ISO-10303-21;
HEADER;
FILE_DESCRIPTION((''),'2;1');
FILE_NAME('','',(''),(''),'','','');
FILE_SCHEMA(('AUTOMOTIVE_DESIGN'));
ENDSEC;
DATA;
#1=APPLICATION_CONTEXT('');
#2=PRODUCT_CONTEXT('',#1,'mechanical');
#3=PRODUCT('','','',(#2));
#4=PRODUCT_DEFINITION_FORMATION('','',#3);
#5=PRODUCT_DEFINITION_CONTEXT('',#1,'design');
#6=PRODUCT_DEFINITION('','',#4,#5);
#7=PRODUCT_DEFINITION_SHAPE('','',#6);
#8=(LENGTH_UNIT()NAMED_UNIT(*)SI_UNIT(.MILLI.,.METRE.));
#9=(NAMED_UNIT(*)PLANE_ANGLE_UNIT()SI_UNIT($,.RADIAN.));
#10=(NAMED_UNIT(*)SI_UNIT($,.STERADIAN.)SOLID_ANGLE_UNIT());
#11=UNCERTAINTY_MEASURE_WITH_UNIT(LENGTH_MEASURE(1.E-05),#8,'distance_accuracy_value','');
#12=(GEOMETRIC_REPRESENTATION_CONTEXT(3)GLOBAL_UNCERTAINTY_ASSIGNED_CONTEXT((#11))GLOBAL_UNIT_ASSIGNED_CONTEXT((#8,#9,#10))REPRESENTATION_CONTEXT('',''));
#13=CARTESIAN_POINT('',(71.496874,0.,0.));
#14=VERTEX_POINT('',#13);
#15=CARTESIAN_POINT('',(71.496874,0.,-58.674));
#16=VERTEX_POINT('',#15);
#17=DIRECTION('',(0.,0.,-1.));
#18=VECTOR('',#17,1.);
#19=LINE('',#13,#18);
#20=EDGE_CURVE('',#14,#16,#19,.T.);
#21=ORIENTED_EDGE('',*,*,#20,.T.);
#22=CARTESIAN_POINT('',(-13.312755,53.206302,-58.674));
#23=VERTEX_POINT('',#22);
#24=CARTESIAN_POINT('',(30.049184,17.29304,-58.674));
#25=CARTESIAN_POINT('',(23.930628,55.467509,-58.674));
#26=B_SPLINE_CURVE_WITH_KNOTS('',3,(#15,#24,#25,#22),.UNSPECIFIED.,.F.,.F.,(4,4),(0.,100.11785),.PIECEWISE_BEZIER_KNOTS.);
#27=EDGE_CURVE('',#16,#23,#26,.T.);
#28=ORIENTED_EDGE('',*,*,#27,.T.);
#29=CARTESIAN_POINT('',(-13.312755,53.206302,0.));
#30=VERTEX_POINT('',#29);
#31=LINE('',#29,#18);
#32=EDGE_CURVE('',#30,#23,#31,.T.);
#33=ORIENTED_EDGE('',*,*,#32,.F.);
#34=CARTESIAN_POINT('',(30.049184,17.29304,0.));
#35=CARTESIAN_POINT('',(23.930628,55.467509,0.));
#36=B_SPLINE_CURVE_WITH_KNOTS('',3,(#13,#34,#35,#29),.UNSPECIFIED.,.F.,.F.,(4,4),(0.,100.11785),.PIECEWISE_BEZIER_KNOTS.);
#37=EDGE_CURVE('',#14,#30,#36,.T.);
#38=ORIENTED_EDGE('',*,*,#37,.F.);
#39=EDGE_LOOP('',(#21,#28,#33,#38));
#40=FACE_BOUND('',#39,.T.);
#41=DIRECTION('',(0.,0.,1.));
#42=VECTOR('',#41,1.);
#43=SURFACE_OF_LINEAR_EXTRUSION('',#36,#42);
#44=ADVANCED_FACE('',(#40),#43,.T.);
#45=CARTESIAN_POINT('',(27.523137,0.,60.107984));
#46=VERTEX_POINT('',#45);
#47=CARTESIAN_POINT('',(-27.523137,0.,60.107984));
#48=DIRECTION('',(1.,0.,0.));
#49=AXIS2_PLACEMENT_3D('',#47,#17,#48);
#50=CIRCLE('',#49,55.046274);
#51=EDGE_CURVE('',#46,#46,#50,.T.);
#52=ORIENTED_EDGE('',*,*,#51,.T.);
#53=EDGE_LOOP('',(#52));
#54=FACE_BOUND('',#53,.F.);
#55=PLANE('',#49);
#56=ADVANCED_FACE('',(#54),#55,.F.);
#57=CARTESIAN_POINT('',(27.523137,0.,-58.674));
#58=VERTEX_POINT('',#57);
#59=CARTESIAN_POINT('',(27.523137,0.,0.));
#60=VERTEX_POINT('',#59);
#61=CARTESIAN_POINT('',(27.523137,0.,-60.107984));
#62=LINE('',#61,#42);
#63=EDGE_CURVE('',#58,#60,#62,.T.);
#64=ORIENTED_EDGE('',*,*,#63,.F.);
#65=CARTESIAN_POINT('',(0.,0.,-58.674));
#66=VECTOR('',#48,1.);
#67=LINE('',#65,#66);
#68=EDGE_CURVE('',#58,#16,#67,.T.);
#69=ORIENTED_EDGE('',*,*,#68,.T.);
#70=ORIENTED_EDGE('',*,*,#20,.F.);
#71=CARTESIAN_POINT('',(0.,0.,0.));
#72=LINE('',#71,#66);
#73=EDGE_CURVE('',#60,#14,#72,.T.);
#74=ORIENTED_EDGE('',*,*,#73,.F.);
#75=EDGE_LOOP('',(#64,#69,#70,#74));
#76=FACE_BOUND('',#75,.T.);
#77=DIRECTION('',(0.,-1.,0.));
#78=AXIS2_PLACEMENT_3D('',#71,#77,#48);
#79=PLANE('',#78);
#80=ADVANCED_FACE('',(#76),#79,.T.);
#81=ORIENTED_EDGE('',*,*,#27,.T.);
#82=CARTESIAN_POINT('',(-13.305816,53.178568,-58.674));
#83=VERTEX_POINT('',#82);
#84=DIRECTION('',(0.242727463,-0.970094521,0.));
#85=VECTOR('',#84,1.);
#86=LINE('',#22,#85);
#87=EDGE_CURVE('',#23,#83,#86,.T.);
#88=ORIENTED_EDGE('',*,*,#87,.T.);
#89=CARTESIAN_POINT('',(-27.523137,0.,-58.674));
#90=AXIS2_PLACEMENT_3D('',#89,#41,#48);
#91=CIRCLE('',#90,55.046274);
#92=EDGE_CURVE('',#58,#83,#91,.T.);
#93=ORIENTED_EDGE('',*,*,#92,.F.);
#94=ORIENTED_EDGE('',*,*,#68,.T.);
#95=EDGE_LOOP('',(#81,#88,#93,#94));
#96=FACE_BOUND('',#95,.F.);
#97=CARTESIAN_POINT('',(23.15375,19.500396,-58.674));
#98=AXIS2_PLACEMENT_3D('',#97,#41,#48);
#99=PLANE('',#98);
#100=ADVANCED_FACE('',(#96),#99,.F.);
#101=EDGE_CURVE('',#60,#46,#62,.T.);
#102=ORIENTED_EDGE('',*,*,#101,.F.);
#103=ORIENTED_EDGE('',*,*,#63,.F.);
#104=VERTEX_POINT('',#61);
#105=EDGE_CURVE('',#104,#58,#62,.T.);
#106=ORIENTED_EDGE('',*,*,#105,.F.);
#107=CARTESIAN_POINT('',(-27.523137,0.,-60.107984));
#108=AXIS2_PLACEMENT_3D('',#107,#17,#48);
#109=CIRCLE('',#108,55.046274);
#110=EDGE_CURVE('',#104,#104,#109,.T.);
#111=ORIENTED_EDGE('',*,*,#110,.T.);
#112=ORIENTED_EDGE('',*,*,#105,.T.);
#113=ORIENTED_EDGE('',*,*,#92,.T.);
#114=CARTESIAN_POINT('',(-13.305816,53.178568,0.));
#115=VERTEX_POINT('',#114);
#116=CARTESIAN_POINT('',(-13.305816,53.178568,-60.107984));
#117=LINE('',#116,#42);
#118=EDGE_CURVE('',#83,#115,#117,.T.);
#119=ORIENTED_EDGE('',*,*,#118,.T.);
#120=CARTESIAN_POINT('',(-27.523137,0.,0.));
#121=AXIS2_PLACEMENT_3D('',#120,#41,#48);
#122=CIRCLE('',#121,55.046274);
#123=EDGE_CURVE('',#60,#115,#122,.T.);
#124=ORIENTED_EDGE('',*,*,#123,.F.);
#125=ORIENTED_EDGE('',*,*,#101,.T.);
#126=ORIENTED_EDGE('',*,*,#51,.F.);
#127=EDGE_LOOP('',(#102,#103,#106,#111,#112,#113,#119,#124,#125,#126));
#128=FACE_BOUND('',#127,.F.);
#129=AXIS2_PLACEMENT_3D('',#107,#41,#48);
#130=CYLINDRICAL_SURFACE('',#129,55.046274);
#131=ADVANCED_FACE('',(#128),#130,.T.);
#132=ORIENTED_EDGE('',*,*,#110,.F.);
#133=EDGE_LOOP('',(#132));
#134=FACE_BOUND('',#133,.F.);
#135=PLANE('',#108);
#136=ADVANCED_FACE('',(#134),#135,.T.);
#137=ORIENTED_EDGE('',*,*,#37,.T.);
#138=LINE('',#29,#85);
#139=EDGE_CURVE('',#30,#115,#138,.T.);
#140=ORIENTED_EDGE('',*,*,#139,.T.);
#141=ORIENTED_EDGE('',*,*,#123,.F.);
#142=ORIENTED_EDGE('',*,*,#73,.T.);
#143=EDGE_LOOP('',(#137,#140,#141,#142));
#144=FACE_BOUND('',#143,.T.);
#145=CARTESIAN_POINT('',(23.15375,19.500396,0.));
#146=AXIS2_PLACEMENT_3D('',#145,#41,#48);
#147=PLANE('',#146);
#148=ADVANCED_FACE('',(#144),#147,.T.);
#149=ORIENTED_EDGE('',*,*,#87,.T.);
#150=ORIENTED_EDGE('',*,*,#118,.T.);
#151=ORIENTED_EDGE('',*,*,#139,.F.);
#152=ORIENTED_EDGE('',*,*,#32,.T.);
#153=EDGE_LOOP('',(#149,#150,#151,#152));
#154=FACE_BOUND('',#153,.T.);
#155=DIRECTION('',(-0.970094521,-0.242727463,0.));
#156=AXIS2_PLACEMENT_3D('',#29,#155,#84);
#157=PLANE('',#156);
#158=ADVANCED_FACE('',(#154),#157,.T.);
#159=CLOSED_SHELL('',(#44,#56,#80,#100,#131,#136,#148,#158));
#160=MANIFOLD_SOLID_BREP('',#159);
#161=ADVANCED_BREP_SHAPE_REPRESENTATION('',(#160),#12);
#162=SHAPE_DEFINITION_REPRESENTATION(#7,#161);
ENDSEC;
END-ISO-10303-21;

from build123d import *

# Parameters (mm, degrees)
F3_DEPTH = 58.674


with BuildPart() as f1:
    # F0 (on Front) → F1 (revolve)
    with BuildSketch(Plane.XZ):
        Polygon((27.523137, 37.01387), (27.523137, 60.107984), (-27.523137, 60.107984), (-27.523137, -60.107984), (27.523137, -60.107984), (27.523137, -54.729901), align=None)
    revolve(axis=Axis((-27.523137, 0, 0), (0, 0, -1)))

    # F2 (on Top) → F3 (join)
    with BuildSketch(Plane.XY):
        with BuildLine():
            Line((0, 0), (71.496874, 0))
            add(Edge.make_bspline(
                [(71.496874, 0), (30.049184, 17.29304), (23.930628, 55.467509), (-13.312755, 53.206302)],
                knots=[0, 0, 0, 0, 100.11785, 100.11785, 100.11785, 100.11785], degree=3))
            Line((-13.312755, 53.206302), (0, 0))
        make_face()
    extrude(amount=-F3_DEPTH)


solid = f1.part
